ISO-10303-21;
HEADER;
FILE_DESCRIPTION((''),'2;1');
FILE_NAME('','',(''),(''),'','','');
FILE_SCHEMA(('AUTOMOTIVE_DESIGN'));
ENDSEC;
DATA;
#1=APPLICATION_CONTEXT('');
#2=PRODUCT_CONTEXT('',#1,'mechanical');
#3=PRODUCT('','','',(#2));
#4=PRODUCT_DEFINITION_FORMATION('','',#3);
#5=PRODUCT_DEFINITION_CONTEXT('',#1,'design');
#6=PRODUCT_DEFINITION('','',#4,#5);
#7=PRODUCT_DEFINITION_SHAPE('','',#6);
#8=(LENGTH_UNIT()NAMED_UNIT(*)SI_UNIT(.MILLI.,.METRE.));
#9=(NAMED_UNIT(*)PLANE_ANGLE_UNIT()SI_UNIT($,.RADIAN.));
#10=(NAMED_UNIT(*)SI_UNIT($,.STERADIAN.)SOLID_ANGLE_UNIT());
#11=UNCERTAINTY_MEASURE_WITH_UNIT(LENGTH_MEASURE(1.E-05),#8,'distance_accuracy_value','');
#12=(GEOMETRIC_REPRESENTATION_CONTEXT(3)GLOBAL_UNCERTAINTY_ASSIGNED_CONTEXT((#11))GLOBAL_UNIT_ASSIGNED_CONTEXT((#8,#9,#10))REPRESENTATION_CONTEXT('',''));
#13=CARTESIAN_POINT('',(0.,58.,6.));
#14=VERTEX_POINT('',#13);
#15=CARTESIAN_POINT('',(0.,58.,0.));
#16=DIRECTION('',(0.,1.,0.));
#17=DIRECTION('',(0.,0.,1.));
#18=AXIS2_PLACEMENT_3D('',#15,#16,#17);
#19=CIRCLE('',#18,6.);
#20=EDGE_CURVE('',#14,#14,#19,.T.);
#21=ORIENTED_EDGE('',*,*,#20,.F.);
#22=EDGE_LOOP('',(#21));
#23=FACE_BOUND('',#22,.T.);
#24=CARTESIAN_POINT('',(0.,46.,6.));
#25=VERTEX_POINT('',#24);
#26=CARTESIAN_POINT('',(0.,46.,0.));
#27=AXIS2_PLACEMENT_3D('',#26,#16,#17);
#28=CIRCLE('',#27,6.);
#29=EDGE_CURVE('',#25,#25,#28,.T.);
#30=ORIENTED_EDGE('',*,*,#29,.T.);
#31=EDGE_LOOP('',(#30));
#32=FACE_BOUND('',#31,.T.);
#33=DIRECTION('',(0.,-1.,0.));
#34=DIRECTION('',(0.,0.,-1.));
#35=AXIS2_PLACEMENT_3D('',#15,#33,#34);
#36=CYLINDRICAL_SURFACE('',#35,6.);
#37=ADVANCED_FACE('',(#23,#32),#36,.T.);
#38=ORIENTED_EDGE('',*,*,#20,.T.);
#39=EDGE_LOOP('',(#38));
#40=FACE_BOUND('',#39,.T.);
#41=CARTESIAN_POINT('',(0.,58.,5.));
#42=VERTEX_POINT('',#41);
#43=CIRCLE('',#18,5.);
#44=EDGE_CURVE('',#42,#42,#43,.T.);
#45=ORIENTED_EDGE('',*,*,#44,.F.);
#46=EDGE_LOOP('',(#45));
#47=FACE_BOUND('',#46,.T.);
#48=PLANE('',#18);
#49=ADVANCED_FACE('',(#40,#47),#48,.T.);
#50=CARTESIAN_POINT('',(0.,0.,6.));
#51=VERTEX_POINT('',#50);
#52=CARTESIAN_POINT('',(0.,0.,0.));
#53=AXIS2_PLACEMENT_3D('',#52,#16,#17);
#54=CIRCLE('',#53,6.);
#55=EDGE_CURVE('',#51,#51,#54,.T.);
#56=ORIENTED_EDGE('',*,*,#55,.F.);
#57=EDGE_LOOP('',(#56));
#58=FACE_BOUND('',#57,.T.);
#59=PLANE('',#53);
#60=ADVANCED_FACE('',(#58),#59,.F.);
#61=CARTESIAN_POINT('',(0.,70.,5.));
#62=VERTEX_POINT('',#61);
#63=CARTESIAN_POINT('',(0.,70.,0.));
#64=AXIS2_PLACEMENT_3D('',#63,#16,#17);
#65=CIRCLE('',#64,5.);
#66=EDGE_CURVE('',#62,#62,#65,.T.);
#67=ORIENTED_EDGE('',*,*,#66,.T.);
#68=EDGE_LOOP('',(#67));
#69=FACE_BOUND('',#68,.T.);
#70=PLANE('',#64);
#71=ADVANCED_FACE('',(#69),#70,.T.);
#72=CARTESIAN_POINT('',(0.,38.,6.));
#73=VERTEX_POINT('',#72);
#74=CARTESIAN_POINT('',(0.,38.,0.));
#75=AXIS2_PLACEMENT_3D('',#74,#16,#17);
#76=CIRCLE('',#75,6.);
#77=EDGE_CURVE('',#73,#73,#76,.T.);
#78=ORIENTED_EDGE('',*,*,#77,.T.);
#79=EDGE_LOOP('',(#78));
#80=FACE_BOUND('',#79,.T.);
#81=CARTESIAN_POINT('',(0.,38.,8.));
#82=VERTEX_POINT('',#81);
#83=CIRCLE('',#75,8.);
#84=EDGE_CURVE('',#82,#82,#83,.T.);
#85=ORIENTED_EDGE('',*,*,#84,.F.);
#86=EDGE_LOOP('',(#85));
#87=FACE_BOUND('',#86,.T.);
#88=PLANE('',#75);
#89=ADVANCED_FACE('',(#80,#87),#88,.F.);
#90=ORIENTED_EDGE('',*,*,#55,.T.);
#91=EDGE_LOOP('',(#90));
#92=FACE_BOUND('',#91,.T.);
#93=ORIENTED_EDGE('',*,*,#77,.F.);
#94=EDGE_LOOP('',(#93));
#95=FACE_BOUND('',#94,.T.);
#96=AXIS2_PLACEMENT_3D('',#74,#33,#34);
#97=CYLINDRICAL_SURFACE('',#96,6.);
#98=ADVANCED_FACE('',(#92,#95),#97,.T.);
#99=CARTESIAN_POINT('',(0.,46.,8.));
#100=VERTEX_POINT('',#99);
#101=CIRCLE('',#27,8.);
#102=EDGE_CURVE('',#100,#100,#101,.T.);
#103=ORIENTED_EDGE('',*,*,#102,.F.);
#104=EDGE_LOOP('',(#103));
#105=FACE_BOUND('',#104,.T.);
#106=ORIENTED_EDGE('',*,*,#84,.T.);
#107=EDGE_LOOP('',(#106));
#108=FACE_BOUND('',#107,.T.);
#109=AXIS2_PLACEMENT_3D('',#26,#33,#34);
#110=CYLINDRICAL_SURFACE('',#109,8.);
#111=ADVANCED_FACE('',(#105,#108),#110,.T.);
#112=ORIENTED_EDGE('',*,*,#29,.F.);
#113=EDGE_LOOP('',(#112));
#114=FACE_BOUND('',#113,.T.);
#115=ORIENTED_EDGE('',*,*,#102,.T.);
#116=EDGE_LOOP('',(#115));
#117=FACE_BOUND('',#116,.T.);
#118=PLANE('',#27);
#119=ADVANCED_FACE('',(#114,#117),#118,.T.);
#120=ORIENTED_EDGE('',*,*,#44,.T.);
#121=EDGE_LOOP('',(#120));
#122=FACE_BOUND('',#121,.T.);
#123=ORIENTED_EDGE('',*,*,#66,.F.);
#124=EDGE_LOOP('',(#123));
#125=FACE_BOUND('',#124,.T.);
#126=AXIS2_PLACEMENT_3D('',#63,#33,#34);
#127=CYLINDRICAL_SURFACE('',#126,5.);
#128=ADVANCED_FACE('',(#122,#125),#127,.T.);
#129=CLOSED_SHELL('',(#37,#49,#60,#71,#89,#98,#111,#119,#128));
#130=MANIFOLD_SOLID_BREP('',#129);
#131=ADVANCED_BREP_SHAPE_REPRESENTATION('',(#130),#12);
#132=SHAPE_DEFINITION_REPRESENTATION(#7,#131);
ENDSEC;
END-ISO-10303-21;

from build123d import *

# Parameters (mm, degrees)
SKETCH_1_R      = 6
EXTRUDE_1_DEPTH = 38
SKETCH_2_R      = 8
EXTRUDE_2_DEPTH = 8
SKETCH_4_R      = 6
EXTRUDE_3_DEPTH = 12
SKETCH_5_R      = 5
EXTRUDE_4_DEPTH = 12


with BuildPart() as part:
    # 草图1 → 凸台-拉伸1 (new body)
    with BuildSketch(Plane(origin=(0, 0, 0), x_dir=(1, 0, 0), z_dir=(0, 1, 0))):
        with Locations(Location((0, 0, 0), (0, 0, 270))):
            Circle(SKETCH_1_R)
    extrude(amount=EXTRUDE_1_DEPTH)

    # 草图2 → 凸台-拉伸2 (add)
    with BuildSketch(Plane(origin=(0, 38, 0), x_dir=(1, 0, 0), z_dir=(0, 1, 0))):
        with Locations(Location((0, 0, 0), (0, 0, 270))):
            Circle(SKETCH_2_R)
    extrude(amount=EXTRUDE_2_DEPTH)

    # 草图4 → 凸台-拉伸3 (add)
    with BuildSketch(Plane(origin=(0, 46, 0), x_dir=(1, 0, 0), z_dir=(0, 1, 0))):
        with Locations(Location((0, 0, 0), (0, 0, 270))):
            Circle(SKETCH_4_R)
    extrude(amount=EXTRUDE_3_DEPTH)

    # 草图5 → 凸台-拉伸4 (add)
    with BuildSketch(Plane(origin=(0, 58, 0), x_dir=(1, 0, 0), z_dir=(0, 1, 0))):
        with Locations(Location((0, 0, 0), (0, 0, 270))):
            Circle(SKETCH_5_R)
    extrude(amount=EXTRUDE_4_DEPTH)


solid = part.part
